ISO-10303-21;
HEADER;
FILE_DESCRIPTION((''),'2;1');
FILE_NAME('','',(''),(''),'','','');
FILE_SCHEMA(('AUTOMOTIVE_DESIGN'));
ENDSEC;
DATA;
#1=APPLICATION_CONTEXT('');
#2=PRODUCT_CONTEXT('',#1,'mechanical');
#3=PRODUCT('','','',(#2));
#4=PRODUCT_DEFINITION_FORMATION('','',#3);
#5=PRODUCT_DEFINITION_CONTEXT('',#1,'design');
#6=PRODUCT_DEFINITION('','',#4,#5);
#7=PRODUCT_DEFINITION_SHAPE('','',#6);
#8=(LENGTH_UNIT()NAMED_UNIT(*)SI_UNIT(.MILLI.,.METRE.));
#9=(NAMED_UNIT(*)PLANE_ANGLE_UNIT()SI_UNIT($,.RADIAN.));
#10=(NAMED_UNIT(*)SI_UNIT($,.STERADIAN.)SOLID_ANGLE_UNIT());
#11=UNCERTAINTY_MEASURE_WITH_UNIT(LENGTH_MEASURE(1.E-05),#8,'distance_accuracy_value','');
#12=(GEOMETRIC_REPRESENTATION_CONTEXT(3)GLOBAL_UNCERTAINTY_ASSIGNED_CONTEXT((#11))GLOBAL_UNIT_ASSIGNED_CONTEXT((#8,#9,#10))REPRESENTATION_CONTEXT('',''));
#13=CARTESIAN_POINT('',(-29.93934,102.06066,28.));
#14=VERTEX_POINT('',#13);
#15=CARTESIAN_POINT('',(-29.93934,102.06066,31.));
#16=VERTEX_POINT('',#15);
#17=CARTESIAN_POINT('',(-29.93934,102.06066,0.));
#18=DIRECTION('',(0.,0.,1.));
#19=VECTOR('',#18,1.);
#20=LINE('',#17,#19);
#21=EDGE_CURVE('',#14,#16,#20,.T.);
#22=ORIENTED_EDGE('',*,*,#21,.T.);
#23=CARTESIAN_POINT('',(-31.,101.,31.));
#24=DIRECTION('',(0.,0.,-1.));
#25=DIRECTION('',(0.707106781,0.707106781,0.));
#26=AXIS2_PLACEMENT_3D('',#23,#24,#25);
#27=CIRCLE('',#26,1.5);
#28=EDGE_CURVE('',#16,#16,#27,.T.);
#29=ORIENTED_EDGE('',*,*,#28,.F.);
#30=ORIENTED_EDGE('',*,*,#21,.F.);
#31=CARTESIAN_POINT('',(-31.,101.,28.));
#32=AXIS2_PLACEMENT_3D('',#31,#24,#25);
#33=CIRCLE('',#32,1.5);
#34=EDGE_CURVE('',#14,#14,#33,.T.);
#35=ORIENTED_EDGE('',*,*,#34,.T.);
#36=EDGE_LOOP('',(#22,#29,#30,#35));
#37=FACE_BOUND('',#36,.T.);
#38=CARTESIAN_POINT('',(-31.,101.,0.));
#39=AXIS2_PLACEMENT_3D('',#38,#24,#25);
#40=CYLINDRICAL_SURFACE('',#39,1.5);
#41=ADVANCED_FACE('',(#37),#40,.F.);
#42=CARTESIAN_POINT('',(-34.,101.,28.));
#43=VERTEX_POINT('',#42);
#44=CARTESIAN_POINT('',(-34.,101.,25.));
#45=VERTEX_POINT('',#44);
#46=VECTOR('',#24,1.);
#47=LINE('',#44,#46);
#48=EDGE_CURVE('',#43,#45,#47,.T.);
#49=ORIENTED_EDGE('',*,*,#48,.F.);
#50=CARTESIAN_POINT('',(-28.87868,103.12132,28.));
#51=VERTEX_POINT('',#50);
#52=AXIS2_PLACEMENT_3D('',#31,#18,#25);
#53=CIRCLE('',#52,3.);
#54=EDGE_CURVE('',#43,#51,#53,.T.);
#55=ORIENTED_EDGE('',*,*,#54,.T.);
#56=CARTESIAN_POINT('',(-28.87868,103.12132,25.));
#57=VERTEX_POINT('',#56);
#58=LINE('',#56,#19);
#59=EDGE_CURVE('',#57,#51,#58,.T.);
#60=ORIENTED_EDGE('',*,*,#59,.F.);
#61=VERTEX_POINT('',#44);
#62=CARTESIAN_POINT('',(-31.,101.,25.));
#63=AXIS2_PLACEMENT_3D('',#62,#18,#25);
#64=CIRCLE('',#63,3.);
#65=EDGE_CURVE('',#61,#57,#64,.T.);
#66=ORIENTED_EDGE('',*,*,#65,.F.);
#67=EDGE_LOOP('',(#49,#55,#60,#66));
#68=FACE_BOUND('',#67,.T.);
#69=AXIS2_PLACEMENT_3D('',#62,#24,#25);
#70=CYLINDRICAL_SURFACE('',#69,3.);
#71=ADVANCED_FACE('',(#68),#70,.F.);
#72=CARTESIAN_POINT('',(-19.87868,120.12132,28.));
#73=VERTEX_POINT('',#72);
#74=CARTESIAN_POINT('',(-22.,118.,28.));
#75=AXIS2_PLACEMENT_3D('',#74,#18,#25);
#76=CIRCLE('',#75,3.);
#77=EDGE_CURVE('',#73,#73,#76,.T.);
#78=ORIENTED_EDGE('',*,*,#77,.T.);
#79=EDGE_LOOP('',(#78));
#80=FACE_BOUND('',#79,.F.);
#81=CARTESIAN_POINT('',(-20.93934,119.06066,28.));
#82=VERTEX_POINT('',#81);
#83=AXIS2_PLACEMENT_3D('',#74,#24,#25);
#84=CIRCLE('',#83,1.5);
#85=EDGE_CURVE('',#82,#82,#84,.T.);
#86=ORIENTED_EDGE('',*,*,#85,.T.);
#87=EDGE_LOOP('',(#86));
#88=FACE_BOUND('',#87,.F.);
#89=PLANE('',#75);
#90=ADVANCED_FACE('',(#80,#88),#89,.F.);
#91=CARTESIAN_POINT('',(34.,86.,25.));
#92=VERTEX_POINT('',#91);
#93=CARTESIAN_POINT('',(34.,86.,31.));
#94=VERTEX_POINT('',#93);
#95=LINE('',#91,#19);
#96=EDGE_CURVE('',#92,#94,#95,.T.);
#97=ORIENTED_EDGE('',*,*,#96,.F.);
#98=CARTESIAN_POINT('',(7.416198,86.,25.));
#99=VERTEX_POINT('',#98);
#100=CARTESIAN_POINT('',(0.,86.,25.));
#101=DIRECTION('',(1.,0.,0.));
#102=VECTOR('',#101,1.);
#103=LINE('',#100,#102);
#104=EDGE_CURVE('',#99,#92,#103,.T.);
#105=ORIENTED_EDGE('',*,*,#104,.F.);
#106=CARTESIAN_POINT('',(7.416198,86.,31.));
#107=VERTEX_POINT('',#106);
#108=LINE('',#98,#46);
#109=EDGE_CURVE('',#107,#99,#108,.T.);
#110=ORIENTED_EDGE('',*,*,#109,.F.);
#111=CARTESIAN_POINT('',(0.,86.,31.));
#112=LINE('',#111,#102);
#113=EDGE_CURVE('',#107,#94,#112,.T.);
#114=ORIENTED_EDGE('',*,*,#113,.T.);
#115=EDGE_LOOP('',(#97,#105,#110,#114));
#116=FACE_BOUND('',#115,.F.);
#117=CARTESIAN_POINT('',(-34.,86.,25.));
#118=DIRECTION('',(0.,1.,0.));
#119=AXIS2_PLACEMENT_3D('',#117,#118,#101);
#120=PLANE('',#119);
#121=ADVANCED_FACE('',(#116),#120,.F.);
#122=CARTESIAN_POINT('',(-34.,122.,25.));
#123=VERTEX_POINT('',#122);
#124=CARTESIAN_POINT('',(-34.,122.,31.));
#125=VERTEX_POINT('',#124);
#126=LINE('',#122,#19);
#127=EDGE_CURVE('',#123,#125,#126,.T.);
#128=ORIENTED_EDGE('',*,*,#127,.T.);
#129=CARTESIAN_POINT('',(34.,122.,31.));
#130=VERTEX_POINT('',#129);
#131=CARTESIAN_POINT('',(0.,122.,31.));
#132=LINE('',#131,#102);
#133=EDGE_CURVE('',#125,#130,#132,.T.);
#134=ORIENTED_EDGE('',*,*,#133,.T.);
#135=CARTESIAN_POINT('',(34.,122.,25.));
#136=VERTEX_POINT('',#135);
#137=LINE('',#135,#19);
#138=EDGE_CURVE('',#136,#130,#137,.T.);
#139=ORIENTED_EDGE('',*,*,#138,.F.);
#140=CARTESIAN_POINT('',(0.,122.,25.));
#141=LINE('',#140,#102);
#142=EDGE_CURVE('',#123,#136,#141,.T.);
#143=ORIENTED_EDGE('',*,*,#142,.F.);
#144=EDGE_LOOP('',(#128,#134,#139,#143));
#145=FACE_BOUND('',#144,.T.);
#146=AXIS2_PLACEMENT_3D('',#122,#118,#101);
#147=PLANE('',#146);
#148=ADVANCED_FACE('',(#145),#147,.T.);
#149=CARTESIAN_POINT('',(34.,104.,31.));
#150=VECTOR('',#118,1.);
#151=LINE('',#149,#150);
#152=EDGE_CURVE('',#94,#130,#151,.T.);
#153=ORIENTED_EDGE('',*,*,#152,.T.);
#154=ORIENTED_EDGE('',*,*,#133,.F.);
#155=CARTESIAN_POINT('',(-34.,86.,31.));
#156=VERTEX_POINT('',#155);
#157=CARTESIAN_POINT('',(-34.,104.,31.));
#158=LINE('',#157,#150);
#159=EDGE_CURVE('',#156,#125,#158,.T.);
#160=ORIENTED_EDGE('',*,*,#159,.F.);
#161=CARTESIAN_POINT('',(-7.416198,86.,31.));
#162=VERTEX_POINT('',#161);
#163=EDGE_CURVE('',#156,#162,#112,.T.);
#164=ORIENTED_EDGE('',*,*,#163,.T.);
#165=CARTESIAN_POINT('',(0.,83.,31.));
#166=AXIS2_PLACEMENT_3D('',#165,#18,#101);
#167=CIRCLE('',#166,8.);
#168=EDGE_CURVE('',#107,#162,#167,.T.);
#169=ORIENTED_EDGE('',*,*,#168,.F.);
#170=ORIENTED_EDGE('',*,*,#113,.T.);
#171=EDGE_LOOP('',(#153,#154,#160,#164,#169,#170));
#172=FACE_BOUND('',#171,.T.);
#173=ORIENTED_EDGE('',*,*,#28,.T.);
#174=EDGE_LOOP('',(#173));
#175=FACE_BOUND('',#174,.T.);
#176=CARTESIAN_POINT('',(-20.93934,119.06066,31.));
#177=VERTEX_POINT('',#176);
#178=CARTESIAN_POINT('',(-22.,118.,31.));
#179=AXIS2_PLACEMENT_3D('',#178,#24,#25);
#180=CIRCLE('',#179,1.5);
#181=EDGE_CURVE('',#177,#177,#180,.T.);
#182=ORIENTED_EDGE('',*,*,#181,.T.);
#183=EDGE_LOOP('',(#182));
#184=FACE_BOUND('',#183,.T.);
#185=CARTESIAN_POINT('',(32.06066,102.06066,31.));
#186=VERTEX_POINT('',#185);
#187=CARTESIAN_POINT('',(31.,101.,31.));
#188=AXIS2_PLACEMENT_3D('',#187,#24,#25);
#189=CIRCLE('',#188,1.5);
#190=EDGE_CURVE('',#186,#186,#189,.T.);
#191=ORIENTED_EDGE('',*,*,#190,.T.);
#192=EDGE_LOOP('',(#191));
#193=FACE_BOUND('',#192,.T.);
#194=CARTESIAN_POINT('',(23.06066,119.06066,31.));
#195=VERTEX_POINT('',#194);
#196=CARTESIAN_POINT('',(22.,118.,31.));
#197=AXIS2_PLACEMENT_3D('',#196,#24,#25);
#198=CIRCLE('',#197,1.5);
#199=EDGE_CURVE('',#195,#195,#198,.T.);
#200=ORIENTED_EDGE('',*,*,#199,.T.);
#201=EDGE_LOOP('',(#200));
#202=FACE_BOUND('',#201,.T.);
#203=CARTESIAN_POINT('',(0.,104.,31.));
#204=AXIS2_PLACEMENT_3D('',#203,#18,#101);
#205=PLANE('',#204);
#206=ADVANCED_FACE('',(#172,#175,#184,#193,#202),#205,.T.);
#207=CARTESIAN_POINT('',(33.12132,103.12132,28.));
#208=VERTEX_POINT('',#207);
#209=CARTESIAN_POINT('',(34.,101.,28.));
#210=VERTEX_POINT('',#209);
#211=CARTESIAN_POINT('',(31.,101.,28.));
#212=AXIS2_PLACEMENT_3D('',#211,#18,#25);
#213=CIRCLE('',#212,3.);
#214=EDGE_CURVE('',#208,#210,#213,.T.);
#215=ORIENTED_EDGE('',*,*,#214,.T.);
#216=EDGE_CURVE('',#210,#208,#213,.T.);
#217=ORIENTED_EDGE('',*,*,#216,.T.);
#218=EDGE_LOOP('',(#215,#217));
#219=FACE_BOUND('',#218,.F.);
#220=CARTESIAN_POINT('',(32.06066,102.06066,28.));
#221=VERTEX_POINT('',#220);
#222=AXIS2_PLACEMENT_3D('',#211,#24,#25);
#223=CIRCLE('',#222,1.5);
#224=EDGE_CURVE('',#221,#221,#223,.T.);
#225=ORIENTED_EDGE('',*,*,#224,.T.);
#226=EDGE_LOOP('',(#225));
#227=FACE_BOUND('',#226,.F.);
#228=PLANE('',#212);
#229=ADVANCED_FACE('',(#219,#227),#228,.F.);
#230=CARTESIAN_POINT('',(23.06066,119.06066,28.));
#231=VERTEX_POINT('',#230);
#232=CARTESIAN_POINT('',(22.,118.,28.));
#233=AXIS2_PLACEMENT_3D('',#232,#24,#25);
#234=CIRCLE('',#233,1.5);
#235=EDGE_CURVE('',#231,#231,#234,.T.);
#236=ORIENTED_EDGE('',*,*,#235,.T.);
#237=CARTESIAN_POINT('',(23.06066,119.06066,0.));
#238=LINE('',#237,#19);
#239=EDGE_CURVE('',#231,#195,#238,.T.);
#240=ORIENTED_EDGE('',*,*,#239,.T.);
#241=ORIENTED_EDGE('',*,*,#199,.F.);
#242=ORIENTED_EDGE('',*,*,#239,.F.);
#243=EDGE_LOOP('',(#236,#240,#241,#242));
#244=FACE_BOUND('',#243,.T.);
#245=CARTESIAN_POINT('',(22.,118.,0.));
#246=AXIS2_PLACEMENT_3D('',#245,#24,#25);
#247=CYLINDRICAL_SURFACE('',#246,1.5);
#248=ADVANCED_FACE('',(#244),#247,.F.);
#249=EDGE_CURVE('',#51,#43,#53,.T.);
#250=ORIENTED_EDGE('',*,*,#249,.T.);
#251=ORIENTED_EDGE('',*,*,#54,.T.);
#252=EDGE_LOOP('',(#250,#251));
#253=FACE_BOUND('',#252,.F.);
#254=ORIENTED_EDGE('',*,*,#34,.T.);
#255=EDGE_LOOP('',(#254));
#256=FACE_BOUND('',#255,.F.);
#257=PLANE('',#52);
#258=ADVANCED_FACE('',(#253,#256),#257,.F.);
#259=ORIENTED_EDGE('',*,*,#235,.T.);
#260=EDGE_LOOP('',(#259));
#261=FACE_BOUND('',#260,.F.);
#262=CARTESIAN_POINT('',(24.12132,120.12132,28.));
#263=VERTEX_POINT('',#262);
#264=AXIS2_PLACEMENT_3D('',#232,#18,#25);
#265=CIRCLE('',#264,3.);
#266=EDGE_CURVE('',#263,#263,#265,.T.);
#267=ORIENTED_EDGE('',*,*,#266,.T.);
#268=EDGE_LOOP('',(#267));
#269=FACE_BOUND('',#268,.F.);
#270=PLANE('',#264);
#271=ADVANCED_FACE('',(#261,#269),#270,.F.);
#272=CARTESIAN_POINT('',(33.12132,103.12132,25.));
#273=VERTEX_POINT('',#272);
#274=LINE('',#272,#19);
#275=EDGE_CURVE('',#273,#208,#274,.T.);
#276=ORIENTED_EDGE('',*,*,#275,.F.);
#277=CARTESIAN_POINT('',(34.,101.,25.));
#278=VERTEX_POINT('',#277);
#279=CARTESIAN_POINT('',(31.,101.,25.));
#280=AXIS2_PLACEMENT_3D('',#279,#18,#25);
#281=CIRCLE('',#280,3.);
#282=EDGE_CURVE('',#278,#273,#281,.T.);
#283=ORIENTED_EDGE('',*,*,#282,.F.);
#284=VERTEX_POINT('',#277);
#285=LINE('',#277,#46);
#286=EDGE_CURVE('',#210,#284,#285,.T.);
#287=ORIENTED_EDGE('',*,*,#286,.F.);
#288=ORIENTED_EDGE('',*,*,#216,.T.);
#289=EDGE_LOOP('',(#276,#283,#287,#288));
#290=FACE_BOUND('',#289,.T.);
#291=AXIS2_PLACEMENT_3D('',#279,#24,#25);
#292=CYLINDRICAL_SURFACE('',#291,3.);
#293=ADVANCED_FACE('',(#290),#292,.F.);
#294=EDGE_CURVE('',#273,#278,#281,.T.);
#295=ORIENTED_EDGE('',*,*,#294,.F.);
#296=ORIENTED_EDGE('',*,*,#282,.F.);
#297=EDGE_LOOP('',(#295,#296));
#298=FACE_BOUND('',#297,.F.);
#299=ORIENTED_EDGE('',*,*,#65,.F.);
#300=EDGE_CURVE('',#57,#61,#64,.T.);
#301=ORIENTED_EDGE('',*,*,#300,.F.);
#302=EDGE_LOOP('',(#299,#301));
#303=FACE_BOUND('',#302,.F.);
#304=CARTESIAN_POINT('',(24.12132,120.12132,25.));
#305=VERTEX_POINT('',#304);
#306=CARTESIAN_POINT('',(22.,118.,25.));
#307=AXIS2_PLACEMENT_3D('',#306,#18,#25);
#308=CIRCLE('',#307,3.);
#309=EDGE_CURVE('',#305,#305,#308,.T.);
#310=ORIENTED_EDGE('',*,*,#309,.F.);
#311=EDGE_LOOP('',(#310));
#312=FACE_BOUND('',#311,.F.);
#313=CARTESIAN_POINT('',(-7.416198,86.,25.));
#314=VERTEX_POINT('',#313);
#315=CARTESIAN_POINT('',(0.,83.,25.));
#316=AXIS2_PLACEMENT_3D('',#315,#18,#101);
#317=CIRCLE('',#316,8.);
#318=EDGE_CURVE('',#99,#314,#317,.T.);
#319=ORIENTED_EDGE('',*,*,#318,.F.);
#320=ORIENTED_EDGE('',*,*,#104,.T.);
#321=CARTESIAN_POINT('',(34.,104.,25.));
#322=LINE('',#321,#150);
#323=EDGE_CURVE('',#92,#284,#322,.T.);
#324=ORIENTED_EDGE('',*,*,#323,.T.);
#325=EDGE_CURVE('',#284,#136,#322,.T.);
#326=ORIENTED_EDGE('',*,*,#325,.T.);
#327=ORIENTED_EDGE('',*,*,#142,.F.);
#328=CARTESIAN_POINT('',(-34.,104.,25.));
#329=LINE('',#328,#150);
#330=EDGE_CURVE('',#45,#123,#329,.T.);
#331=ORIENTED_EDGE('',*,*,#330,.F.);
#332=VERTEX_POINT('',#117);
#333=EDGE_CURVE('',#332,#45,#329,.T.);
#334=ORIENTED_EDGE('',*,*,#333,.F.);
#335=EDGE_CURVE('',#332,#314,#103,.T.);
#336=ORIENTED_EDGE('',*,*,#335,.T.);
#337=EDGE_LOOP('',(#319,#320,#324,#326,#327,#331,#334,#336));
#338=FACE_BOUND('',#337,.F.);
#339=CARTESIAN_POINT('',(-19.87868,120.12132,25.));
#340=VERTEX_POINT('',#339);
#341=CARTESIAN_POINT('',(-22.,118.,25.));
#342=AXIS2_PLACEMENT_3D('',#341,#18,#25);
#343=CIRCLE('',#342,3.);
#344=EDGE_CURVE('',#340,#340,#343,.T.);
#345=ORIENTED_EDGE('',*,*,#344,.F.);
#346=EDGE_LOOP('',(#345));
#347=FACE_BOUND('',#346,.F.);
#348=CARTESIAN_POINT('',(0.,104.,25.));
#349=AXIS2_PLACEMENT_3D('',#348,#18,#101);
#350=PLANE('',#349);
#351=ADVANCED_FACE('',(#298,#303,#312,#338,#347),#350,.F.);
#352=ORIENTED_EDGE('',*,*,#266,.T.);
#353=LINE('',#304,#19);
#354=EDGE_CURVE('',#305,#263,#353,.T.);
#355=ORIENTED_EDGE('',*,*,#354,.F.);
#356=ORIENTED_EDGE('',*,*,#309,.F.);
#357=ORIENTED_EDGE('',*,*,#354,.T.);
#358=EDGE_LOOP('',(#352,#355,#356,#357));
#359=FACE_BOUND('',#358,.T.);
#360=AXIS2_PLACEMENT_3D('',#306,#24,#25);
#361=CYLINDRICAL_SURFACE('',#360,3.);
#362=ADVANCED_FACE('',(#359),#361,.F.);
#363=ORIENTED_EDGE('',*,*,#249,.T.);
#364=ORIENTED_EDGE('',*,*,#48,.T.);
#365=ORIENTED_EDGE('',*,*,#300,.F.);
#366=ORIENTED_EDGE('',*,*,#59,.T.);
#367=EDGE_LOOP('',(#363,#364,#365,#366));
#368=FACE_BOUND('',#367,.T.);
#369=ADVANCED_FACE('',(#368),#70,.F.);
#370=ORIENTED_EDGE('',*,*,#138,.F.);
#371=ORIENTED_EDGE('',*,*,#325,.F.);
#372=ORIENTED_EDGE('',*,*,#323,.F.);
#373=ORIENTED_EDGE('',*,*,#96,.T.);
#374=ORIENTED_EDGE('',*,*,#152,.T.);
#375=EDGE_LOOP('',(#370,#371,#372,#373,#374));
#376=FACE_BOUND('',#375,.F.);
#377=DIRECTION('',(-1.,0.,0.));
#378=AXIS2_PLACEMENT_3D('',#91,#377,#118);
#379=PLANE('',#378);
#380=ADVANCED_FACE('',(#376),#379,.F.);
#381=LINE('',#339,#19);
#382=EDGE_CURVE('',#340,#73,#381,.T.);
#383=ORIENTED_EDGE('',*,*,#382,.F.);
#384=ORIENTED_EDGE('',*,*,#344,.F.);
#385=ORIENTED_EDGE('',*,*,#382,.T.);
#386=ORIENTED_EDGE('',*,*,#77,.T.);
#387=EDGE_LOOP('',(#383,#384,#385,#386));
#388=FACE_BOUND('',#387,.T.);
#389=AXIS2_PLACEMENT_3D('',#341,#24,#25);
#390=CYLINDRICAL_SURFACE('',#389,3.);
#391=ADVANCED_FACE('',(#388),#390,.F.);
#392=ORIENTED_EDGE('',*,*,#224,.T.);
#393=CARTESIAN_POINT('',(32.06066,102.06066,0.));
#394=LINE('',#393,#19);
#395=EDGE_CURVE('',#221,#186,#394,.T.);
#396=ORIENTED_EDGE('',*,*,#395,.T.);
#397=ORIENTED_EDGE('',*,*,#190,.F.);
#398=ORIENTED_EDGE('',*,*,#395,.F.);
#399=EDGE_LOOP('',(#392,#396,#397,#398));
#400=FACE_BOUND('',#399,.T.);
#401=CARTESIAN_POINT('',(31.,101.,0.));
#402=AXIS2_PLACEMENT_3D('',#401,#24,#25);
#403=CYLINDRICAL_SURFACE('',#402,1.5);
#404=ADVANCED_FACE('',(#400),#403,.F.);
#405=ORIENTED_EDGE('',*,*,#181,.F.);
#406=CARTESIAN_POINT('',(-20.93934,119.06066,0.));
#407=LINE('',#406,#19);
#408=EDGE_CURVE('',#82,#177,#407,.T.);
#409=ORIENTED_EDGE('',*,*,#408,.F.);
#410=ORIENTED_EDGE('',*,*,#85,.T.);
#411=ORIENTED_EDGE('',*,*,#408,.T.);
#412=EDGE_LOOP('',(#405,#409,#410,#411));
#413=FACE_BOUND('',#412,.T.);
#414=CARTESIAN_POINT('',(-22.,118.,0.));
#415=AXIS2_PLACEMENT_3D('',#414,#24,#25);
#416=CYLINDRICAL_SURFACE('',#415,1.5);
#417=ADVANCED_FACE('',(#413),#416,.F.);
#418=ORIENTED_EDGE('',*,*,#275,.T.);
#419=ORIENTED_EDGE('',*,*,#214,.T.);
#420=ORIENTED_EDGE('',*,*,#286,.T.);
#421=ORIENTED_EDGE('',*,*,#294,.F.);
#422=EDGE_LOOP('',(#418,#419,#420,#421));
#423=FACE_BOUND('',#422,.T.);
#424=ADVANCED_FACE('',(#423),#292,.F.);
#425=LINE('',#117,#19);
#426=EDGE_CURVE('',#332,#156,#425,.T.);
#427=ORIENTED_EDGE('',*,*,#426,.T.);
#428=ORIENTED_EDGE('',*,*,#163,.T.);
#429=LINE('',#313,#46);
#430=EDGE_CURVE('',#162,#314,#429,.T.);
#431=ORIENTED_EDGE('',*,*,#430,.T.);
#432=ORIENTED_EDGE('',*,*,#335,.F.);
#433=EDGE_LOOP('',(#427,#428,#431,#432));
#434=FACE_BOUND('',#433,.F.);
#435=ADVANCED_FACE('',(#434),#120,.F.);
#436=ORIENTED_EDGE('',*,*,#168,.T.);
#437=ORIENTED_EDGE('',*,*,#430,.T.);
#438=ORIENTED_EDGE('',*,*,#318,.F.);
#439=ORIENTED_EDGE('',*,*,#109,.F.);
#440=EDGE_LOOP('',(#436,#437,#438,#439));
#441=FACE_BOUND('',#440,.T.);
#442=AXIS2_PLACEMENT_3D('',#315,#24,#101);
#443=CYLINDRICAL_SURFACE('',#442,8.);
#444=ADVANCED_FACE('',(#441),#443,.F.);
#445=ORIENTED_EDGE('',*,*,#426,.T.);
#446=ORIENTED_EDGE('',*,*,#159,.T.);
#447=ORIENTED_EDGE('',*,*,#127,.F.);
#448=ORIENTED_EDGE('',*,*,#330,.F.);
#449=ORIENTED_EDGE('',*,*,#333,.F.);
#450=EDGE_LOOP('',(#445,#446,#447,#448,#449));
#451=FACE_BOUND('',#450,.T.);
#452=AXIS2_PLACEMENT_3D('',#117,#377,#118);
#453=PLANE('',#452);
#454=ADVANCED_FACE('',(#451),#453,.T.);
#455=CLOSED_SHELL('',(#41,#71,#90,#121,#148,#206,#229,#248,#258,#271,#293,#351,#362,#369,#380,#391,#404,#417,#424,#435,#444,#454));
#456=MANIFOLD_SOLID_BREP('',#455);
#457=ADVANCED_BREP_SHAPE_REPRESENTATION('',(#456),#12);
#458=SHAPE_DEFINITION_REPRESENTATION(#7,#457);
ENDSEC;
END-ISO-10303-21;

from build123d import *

# Parameters (mm, degrees)
CYLINDER1905_R               = 3
CYLINDER1905_DEPTH           = 3
CYLINDER1905_PLACEMENT_ANGLE = 45
CYLINDER1904_R               = 3
CYLINDER1904_DEPTH           = 3
CYLINDER1904_PLACEMENT_ANGLE = 45
CYLINDER1907_R               = 3
CYLINDER1907_DEPTH           = 3
CYLINDER1907_PLACEMENT_ANGLE = 45
CYLINDER1909_R               = 3
CYLINDER1909_DEPTH           = 3
CYLINDER1909_PLACEMENT_ANGLE = 45
CYLINDER1906_R               = 1.5
CYLINDER1906_DEPTH           = 50
CYLINDER1906_PLACEMENT_ANGLE = 45
CYLINDER1908_R               = 1.5
CYLINDER1908_DEPTH           = 50
CYLINDER1908_PLACEMENT_ANGLE = 45
CYLINDER1901_R               = 8
CYLINDER1901_DEPTH           = 6
CYLINDER1900_R               = 1.5
CYLINDER1900_DEPTH           = 50
CYLINDER1900_PLACEMENT_ANGLE = 45
CYLINDER1896_R               = 1.5
CYLINDER1896_DEPTH           = 50
CYLINDER1896_PLACEMENT_ANGLE = 45
BOX800_W                     = 68
BOX800_H                     = 36
BOX800_DEPTH                 = 6


with BuildPart() as v_lec1905:
    # Cylinder1905 → Cylinder1905 (new body)
    with BuildSketch(Plane.XY):
        Circle(CYLINDER1905_R)
    extrude(amount=CYLINDER1905_DEPTH)


with BuildPart() as v_lec1905_1:
    # Cylinder1905 placement: moved
    add(v_lec1905.part.moved(Location((22, 118, 0))).rotate(Axis((22, 118, 0), (0, 0, 1)), CYLINDER1905_PLACEMENT_ANGLE))


with BuildPart() as compound956:
    # Cylinder1904 → Cylinder1904 (new body)
    with BuildSketch(Plane.XY):
        Circle(CYLINDER1904_R)
    extrude(amount=CYLINDER1904_DEPTH)


with BuildPart() as compound956_1:
    # Cylinder1904 placement: moved
    add(compound956.part.moved(Location((-22, 118, 0))).rotate(Axis((-22, 118, 0), (0, 0, 1)), CYLINDER1904_PLACEMENT_ANGLE))

    # Compound956: union Válec1905
    add(v_lec1905_1.part)


with BuildPart() as compound956_2:
    # Compound956 placement: moved
    add(compound956_1.part.moved(Location((0, 0, 25))))


with BuildPart() as v_lec1907:
    # Cylinder1907 → Cylinder1907 (new body)
    with BuildSketch(Plane.XY):
        Circle(CYLINDER1907_R)
    extrude(amount=CYLINDER1907_DEPTH)


with BuildPart() as v_lec1907_1:
    # Cylinder1907 placement: moved
    add(v_lec1907.part.moved(Location((31, 101, 0))).rotate(Axis((31, 101, 0), (0, 0, 1)), CYLINDER1907_PLACEMENT_ANGLE))


with BuildPart() as compound957:
    # Cylinder1909 → Cylinder1909 (new body)
    with BuildSketch(Plane.XY):
        Circle(CYLINDER1909_R)
    extrude(amount=CYLINDER1909_DEPTH)


with BuildPart() as compound957_1:
    # Cylinder1909 placement: moved
    add(compound957.part.moved(Location((-31, 101, 0))).rotate(Axis((-31, 101, 0), (0, 0, 1)), CYLINDER1909_PLACEMENT_ANGLE))

    # Compound957: union Válec1907
    add(v_lec1907_1.part)


with BuildPart() as compound957_2:
    # Compound957 placement: moved
    add(compound957_1.part.moved(Location((0, 0, 25))))


with BuildPart() as v_lec1906:
    # Cylinder1906 → Cylinder1906 (new body)
    with BuildSketch(Plane.XY):
        Circle(CYLINDER1906_R)
    extrude(amount=CYLINDER1906_DEPTH)


with BuildPart() as v_lec1906_1:
    # Cylinder1906 placement: moved
    add(v_lec1906.part.moved(Location((22, 118, 0))).rotate(Axis((22, 118, 0), (0, 0, 1)), CYLINDER1906_PLACEMENT_ANGLE))


with BuildPart() as compound958:
    # Cylinder1908 → Cylinder1908 (new body)
    with BuildSketch(Plane.XY):
        Circle(CYLINDER1908_R)
    extrude(amount=CYLINDER1908_DEPTH)


with BuildPart() as compound958_1:
    # Cylinder1908 placement: moved
    add(compound958.part.moved(Location((-22, 118, 0))).rotate(Axis((-22, 118, 0), (0, 0, 1)), CYLINDER1908_PLACEMENT_ANGLE))

    # Compound958: union Válec1906
    add(v_lec1906_1.part)


with BuildPart() as v_lec1901:
    # Cylinder1901 → Cylinder1901 (new body)
    with BuildSketch(Plane(origin=(0, 83, 25), x_dir=(1, 0, 0), z_dir=(0, 0, 1))):
        Circle(CYLINDER1901_R)
    extrude(amount=CYLINDER1901_DEPTH)


with BuildPart() as v_lec1900:
    # Cylinder1900 → Cylinder1900 (new body)
    with BuildSketch(Plane.XY):
        Circle(CYLINDER1900_R)
    extrude(amount=CYLINDER1900_DEPTH)


with BuildPart() as v_lec1900_1:
    # Cylinder1900 placement: moved
    add(v_lec1900.part.moved(Location((31, 101, 0))).rotate(Axis((31, 101, 0), (0, 0, 1)), CYLINDER1900_PLACEMENT_ANGLE))


with BuildPart() as compound954:
    # Cylinder1896 → Cylinder1896 (new body)
    with BuildSketch(Plane.XY):
        Circle(CYLINDER1896_R)
    extrude(amount=CYLINDER1896_DEPTH)


with BuildPart() as compound954_1:
    # Cylinder1896 placement: moved
    add(compound954.part.moved(Location((-31, 101, 0))).rotate(Axis((-31, 101, 0), (0, 0, 1)), CYLINDER1896_PLACEMENT_ANGLE))

    # Compound954: union Válec1900
    add(v_lec1900_1.part)


with BuildPart() as cut610:
    # Box800 → Box800 (new body)
    with BuildSketch(Plane(origin=(-34, 86, 25), x_dir=(1, 0, 0), z_dir=(0, 0, 1))):
        with Locations((34, 18)):
            Rectangle(BOX800_W, BOX800_H)
    extrude(amount=BOX800_DEPTH)

    # Cut606: cut Compound954
    add(compound954_1.part, mode=Mode.SUBTRACT)

    # Cut603: cut Válec1901
    add(v_lec1901.part, mode=Mode.SUBTRACT)

    # Cut609: cut Compound958
    add(compound958_1.part, mode=Mode.SUBTRACT)

    # Cut611: cut Compound957
    add(compound957_2.part, mode=Mode.SUBTRACT)

    # Cut610: cut Compound956
    add(compound956_2.part, mode=Mode.SUBTRACT)


solid = cut610.part
